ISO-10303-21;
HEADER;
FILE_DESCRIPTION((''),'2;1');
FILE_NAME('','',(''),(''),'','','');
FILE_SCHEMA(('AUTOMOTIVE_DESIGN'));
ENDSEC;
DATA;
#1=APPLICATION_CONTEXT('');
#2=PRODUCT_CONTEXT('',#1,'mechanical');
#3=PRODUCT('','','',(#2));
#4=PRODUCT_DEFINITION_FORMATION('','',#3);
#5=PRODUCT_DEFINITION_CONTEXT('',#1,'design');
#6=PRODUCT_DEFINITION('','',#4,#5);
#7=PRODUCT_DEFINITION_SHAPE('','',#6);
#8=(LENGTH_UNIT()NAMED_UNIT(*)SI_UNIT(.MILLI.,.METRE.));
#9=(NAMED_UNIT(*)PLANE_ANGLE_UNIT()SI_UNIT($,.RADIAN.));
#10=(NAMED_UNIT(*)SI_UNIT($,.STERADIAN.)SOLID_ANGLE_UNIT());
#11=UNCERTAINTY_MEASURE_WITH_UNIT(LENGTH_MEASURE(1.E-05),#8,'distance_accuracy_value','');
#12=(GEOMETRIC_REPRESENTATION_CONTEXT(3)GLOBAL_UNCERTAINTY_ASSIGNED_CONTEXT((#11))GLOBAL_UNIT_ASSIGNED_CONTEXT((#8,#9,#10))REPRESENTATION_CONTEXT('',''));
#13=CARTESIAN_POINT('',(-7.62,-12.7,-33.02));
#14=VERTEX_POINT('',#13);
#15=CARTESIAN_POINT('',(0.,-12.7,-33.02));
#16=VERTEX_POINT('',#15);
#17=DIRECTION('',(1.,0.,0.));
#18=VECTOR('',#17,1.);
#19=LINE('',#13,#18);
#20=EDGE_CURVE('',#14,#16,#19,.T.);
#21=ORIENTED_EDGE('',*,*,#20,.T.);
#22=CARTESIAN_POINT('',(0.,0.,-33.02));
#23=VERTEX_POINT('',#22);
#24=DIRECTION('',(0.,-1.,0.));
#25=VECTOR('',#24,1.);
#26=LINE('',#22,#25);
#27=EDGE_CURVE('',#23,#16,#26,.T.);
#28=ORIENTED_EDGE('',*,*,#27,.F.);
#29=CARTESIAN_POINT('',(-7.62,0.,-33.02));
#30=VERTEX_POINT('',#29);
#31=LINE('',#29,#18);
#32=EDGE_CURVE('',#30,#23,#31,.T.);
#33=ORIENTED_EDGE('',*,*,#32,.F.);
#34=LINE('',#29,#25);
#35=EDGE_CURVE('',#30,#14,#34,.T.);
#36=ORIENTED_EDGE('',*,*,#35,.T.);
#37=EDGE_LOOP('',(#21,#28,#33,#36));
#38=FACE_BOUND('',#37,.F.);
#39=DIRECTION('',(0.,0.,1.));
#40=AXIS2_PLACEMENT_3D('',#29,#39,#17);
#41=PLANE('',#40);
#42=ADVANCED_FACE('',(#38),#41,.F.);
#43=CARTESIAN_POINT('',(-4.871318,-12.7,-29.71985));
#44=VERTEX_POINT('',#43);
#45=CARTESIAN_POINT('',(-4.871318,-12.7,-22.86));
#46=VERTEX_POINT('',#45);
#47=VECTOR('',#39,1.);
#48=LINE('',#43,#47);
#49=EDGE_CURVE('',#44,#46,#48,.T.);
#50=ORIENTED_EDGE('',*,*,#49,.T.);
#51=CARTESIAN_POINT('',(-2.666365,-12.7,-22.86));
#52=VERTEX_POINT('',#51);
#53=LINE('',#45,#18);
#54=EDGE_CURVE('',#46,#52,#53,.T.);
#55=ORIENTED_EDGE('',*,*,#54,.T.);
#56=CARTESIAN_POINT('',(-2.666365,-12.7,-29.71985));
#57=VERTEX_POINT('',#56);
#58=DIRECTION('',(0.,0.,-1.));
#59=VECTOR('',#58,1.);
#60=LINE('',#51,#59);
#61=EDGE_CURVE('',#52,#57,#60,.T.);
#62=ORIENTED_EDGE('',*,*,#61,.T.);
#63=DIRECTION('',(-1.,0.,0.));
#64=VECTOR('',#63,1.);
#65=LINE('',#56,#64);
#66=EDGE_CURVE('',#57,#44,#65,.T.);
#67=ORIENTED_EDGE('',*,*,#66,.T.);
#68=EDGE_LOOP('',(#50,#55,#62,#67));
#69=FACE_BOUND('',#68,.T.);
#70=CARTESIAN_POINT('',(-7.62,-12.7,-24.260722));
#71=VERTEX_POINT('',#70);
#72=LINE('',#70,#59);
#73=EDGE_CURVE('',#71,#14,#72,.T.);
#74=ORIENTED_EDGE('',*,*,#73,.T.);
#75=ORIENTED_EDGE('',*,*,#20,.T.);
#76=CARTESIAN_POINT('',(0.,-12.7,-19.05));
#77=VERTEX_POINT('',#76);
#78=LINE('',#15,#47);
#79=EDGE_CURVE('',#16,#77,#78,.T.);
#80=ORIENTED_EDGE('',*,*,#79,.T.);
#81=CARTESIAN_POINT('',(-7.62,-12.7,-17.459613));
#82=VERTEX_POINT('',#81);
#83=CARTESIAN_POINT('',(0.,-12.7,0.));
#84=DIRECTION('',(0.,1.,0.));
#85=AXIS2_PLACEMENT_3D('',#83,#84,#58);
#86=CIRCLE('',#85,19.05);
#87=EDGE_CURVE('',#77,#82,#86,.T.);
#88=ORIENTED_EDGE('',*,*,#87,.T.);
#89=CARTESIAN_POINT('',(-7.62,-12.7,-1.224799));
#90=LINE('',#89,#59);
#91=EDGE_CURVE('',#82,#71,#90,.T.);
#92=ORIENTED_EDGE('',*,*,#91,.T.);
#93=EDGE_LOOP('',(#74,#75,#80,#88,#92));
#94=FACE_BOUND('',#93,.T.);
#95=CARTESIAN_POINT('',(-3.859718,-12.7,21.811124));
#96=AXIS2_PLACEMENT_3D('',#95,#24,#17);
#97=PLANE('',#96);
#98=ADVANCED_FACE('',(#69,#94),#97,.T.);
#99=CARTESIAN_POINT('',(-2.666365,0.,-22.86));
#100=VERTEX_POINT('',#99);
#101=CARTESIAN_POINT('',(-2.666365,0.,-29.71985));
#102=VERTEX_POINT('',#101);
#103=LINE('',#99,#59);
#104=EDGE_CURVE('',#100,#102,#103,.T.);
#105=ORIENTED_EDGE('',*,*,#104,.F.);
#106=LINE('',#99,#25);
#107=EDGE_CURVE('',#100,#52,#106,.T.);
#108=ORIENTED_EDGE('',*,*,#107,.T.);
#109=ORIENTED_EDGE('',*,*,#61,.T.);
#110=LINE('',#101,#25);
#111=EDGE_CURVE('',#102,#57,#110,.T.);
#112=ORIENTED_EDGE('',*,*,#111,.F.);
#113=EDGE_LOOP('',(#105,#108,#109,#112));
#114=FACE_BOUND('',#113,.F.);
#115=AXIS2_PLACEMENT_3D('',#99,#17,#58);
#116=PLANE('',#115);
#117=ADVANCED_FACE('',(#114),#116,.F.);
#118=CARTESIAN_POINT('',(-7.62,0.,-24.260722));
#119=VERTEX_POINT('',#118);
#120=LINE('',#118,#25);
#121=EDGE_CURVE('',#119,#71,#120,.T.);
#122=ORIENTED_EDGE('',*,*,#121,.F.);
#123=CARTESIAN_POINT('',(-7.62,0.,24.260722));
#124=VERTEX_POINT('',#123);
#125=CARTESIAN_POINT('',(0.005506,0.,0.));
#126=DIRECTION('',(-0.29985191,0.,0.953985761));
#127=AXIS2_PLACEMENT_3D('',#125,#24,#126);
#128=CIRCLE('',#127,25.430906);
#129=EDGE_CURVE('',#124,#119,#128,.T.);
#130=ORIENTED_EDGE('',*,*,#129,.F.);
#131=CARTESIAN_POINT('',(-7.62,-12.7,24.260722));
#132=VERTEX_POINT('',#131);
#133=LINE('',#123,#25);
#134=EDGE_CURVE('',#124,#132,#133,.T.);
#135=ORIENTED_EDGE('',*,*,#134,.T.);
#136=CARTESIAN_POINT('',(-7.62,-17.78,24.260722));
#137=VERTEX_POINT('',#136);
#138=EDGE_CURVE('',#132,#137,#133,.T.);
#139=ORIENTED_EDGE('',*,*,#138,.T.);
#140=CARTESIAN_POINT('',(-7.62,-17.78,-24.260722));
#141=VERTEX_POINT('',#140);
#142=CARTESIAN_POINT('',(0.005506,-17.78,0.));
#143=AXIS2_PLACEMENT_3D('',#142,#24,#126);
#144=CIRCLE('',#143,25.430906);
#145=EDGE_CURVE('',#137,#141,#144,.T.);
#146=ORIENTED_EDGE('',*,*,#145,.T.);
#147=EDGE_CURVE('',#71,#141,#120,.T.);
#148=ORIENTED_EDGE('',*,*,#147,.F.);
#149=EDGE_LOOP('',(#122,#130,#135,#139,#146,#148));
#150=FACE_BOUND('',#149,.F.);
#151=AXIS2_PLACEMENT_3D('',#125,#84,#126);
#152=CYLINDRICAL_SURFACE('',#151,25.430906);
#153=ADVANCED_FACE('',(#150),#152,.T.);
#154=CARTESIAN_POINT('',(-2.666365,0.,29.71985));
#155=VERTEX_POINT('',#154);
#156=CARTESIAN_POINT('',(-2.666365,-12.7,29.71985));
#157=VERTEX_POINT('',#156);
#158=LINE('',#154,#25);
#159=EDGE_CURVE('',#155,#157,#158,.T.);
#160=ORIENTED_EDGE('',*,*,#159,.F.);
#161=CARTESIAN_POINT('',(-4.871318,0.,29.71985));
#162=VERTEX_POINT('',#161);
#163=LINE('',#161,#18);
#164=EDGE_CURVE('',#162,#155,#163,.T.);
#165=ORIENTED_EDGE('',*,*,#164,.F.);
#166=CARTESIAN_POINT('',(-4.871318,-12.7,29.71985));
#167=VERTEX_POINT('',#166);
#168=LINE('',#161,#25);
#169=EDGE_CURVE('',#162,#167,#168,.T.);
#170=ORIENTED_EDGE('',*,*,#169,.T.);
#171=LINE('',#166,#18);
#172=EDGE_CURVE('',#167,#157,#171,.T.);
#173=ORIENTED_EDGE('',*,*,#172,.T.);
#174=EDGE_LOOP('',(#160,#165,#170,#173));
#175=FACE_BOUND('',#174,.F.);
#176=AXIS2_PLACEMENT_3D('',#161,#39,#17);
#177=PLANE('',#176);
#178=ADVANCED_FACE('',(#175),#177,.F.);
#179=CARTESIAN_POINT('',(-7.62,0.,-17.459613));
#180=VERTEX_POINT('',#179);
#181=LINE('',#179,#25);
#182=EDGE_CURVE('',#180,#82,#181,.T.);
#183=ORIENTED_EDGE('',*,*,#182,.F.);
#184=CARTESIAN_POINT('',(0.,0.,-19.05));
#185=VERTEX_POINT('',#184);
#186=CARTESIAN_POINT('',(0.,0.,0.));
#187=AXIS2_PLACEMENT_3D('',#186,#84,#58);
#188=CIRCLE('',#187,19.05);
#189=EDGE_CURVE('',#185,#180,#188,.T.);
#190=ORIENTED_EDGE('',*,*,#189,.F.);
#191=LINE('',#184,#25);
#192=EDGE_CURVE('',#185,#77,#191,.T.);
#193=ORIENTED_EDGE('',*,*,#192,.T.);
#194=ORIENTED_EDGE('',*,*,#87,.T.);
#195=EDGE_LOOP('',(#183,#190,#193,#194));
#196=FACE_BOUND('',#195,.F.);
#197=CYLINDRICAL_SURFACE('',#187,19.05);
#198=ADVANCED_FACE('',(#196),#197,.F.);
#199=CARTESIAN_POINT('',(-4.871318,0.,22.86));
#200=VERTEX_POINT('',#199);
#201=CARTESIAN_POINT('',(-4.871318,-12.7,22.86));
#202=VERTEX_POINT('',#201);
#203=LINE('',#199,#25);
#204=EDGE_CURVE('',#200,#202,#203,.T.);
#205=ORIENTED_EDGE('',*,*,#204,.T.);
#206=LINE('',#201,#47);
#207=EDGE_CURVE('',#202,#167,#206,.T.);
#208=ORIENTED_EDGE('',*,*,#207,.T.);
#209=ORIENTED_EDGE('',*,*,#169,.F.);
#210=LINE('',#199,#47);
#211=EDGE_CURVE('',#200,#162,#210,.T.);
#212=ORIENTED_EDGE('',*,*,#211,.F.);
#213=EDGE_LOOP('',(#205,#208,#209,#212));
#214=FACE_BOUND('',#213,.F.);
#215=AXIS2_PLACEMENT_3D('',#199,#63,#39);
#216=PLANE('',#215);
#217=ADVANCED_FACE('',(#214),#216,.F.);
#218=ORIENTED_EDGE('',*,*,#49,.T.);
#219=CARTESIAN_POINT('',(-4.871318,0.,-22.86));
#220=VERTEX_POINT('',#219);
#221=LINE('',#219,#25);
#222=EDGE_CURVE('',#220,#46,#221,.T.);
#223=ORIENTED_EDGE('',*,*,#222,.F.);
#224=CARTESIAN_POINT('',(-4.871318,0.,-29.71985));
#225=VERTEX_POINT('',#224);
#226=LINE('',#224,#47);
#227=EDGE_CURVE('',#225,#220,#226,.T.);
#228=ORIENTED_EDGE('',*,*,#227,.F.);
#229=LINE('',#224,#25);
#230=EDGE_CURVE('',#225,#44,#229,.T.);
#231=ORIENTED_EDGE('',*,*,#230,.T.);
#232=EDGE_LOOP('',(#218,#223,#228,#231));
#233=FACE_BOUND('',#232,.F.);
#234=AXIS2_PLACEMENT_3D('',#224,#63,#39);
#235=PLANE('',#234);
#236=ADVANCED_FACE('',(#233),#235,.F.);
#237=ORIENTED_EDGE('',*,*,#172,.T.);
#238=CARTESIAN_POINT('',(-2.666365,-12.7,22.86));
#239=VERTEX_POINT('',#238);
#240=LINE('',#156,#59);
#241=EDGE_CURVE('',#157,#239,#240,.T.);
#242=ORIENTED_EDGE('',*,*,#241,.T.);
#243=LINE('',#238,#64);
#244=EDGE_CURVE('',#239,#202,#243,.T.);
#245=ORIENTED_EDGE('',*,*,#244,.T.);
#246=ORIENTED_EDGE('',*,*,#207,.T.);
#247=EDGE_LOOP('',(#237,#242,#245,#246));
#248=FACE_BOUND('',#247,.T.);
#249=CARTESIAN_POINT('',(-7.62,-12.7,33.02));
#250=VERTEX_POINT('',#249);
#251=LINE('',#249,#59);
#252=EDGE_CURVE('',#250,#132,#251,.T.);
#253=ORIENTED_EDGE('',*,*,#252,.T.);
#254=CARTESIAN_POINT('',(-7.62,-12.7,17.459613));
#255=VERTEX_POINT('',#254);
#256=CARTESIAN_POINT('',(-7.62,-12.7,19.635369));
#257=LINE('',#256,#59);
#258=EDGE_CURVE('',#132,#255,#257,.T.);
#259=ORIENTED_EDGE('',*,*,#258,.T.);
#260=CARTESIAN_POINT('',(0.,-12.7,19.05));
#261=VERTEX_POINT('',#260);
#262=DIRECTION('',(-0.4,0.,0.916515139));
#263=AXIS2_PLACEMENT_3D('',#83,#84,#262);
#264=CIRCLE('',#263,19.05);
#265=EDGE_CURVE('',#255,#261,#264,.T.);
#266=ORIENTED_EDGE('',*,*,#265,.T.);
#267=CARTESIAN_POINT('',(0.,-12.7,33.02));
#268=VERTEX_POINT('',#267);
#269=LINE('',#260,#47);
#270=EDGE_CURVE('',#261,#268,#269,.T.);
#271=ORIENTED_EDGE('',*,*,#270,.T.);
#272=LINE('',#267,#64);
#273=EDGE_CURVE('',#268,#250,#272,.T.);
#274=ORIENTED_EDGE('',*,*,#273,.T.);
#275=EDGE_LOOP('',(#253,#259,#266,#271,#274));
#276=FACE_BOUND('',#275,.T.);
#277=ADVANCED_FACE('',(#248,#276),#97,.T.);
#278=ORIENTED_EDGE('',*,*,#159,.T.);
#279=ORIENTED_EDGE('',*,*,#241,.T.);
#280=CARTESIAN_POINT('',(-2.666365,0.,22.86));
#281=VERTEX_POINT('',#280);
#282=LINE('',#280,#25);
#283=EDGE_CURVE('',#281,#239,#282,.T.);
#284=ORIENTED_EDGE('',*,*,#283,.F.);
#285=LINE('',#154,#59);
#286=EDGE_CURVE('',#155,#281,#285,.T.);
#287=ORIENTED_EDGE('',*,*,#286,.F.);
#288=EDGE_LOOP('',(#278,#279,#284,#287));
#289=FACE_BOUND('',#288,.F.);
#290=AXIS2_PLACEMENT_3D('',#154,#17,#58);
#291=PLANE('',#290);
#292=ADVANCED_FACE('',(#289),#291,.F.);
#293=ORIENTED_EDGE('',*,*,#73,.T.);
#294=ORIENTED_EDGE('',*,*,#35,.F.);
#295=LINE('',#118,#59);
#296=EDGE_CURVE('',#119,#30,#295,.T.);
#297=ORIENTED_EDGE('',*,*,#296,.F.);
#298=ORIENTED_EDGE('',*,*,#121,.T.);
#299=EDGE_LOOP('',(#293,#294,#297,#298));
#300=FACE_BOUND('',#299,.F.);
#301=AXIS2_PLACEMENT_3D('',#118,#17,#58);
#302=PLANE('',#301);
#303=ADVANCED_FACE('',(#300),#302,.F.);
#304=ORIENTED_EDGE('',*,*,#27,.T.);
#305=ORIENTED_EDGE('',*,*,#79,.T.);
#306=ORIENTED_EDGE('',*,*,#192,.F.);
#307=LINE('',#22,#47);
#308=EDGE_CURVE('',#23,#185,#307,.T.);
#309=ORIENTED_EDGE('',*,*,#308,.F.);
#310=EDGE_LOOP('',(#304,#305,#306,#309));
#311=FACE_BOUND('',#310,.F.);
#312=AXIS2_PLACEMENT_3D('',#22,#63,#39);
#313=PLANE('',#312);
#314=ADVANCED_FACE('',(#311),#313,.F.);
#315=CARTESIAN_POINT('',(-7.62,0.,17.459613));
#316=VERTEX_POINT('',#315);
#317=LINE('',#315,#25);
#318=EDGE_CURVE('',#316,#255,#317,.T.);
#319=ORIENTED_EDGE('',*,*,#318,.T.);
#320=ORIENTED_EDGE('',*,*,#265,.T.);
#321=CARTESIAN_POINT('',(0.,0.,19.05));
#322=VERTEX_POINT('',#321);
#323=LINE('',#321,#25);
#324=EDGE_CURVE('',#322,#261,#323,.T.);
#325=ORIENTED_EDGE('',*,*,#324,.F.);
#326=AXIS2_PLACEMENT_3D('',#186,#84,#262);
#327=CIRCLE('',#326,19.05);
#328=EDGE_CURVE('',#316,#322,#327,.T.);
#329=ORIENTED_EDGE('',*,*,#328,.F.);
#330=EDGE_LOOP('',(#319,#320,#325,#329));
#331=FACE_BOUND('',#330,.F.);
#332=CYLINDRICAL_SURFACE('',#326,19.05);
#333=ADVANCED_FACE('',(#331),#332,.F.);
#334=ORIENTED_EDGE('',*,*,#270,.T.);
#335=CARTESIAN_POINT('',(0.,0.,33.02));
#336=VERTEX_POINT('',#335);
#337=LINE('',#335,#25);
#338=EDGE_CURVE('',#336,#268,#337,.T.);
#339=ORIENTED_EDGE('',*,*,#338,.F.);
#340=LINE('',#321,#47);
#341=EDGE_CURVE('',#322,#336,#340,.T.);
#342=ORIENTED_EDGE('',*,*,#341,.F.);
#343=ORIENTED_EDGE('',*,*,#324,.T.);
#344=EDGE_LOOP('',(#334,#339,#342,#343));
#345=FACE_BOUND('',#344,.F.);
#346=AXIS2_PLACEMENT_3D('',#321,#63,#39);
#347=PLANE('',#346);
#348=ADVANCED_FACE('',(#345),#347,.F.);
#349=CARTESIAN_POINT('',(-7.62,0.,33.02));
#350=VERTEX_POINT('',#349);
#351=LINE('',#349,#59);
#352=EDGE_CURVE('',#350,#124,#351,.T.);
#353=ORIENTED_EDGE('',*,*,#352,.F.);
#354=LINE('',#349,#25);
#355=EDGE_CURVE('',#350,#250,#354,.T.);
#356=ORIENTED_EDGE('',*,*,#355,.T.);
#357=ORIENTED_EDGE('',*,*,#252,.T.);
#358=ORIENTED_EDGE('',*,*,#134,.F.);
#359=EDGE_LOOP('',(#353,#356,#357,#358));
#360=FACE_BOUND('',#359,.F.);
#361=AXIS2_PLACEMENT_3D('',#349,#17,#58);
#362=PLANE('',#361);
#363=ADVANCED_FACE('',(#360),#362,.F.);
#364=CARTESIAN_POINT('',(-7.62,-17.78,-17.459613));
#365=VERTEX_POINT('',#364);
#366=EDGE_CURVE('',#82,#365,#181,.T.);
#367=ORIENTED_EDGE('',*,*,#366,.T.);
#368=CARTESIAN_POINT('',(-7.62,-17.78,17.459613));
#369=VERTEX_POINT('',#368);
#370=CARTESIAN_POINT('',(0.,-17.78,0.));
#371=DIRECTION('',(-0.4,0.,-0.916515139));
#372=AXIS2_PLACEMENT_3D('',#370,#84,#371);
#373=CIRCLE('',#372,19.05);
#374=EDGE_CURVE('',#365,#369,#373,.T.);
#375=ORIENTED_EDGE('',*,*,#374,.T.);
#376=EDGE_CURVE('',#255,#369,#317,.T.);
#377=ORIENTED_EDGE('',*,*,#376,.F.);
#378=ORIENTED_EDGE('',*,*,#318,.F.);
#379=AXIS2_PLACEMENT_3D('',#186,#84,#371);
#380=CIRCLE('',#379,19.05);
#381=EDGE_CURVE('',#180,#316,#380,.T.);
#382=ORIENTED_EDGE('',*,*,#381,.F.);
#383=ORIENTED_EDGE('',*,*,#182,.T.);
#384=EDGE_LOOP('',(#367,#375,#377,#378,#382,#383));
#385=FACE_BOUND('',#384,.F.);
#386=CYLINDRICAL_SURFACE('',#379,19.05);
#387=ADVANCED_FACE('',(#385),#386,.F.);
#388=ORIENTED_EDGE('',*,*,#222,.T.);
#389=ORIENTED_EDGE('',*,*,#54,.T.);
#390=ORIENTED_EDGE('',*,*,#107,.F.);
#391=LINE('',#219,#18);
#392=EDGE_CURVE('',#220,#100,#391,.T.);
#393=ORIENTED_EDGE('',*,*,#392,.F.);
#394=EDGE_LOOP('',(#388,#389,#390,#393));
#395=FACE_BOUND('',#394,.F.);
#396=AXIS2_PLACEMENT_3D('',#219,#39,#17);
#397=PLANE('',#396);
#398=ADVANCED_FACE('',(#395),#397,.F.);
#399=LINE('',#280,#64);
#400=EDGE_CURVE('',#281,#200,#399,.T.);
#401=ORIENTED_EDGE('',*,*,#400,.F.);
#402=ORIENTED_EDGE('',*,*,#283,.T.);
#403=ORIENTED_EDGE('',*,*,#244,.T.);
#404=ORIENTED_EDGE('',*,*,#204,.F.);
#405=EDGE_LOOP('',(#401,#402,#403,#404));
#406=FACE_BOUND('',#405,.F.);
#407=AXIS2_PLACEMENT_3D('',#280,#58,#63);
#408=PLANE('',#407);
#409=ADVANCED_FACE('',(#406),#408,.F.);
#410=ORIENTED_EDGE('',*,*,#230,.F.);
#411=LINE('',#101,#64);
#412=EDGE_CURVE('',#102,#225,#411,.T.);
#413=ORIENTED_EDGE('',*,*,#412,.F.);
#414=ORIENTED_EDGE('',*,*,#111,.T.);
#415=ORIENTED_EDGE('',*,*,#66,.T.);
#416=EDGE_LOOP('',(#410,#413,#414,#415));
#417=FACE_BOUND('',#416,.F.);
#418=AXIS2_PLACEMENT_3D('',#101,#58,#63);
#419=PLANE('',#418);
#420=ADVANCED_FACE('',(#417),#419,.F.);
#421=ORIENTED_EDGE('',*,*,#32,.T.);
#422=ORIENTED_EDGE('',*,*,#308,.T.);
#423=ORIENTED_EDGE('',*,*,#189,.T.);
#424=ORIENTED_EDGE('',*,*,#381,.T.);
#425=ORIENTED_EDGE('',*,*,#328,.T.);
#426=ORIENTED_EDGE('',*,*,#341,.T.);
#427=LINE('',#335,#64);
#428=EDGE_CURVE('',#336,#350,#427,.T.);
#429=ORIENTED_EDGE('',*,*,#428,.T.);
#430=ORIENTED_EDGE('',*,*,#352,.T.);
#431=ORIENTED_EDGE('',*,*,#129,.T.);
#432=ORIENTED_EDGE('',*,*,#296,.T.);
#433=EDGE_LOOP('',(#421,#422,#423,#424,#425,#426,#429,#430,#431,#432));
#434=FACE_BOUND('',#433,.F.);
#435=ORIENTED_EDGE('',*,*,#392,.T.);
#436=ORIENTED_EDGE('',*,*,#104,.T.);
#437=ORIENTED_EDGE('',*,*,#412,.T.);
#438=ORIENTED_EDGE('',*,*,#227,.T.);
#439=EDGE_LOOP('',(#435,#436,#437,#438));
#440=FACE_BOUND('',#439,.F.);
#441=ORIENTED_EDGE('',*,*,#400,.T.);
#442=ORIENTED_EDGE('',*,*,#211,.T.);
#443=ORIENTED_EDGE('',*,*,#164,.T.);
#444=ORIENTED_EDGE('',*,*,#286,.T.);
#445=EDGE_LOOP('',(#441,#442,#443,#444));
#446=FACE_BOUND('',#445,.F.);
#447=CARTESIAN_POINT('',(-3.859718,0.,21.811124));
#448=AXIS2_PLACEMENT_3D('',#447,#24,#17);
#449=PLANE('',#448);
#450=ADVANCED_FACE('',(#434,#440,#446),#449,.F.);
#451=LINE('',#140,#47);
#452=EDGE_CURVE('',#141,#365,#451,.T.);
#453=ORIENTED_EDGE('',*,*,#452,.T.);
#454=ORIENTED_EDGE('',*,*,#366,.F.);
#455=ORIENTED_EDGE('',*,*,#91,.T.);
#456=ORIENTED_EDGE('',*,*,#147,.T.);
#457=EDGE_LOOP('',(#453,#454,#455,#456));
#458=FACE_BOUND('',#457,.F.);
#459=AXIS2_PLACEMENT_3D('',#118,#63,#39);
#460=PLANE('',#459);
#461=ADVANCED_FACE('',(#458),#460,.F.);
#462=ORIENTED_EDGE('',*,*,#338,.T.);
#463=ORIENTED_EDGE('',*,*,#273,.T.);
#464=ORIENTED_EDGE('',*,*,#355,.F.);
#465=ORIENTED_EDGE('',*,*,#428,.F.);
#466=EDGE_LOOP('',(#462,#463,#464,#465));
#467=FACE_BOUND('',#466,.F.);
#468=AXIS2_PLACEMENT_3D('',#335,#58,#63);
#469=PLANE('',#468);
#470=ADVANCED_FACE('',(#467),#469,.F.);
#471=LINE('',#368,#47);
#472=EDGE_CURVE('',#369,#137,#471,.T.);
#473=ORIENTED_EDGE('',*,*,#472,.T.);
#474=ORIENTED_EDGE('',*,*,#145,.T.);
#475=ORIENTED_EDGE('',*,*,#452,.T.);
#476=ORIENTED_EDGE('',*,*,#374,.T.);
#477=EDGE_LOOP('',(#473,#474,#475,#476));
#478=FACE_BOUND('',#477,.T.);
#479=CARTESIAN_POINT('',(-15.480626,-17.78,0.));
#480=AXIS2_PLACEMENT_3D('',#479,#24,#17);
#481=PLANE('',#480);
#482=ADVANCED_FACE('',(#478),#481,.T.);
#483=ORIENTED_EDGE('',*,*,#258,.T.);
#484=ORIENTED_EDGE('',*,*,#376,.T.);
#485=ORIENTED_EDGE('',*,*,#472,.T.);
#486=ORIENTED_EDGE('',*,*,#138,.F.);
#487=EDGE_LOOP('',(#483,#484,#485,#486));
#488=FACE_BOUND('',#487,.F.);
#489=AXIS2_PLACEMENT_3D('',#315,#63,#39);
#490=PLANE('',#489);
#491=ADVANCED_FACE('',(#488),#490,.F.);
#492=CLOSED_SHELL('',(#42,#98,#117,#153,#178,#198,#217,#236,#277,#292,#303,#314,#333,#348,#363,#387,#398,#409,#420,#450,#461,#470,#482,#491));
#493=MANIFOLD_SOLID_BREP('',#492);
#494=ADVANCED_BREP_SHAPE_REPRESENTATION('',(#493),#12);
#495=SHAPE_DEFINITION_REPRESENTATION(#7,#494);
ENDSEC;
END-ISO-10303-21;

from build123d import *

# Parameters (mm, degrees)
F1_DEPTH = 12.7
F2_DEPTH = 17.78


with BuildPart() as f1:
    # F0 (on Front) → F1 (new body)
    with BuildSketch(Plane.XZ):
        with BuildLine():
            ThreePointArc((-7.62, 17.4596133978), (-3.8920987123, 18.6481652613), (0, 19.05))
            Line((0, 19.05), (0, 25.4309050116))
            ThreePointArc((0, 25.4309050116), (-1.335031029, 25.3955492468), (-2.6663651194, 25.2901575092))
            Line((-2.6663651194, 25.2901575092), (-2.6663651194, 22.86))
            Line((-2.6663651194, 22.86), (-4.8713176481, 22.86))
            Line((-4.8713176481, 22.86), (-4.8713176481, 24.9589173434))
            ThreePointArc((-4.8713176481, 24.9589173434), (-6.2553989589, 24.6481649221), (-7.62, 24.260721841))
            Line((-7.62, 24.260721841), (-7.62, 17.4596133978))
        make_face()
        with BuildLine():
            ThreePointArc((-7.62, -17.4596133978), (-19.05, 0), (-7.62, 17.4596133978))
            Line((-7.62, 17.4596133978), (-7.62, 24.260721841))
            ThreePointArc((-7.62, 24.260721841), (-25.4254, 0), (-7.62, -24.260721841))
            Line((-7.62, -24.260721841), (-7.62, -17.4596133978))
        make_face()
        with BuildLine():
            ThreePointArc((-2.6663651194, 25.2901575092), (-1.335031029, 25.3955492468), (0, 25.4309050116))
            Line((0, 25.4309050116), (0, 33.02))
            Line((0, 33.02), (-7.62, 33.02))
            Line((-7.62, 33.02), (-7.62, 24.260721841))
            ThreePointArc((-7.62, 24.260721841), (-6.2553989589, 24.6481649221), (-4.8713176481, 24.9589173434))
            Line((-4.8713176481, 24.9589173434), (-4.8713176481, 29.7198501384))
            Line((-4.8713176481, 29.7198501384), (-2.6663651194, 29.7198501384))
            Line((-2.6663651194, 29.7198501384), (-2.6663651194, 25.2901575092))
        make_face()
        with BuildLine():
            ThreePointArc((0, -19.05), (-3.8920987123, -18.6481652613), (-7.62, -17.4596133978))
            Line((-7.62, -17.4596133978), (-7.62, -24.260721841))
            ThreePointArc((-7.62, -24.260721841), (-6.2553989589, -24.6481649221), (-4.8713176481, -24.9589173434))
            Line((-4.8713176481, -24.9589173434), (-4.8713176481, -22.86))
            Line((-4.8713176481, -22.86), (-2.6663651194, -22.86))
            Line((-2.6663651194, -22.86), (-2.6663651194, -25.2901575092))
            ThreePointArc((-2.6663651194, -25.2901575092), (-1.335031029, -25.3955492468), (0, -25.4309050116))
            Line((0, -25.4309050116), (0, -19.05))
        make_face()
        with BuildLine():
            ThreePointArc((-4.8713176481, -24.9589173434), (-6.2553989589, -24.6481649221), (-7.62, -24.260721841))
            Line((-7.62, -24.260721841), (-7.62, -33.02))
            Line((-7.62, -33.02), (0, -33.02))
            Line((0, -33.02), (0, -25.4309050116))
            ThreePointArc((0, -25.4309050116), (-1.335031029, -25.3955492468), (-2.6663651194, -25.2901575092))
            Line((-2.6663651194, -25.2901575092), (-2.6663651194, -29.7198501384))
            Line((-2.6663651194, -29.7198501384), (-4.8713176481, -29.7198501384))
            Line((-4.8713176481, -29.7198501384), (-4.8713176481, -24.9589173434))
        make_face()
    extrude(amount=F1_DEPTH)

    # F0 (on Front) → F2 (join)
    with BuildSketch(Plane.XZ):
        with BuildLine():
            ThreePointArc((-7.62, -17.4596133978), (-19.05, 0), (-7.62, 17.4596133978))
            Line((-7.62, 17.4596133978), (-7.62, 24.260721841))
            ThreePointArc((-7.62, 24.260721841), (-25.4254, 0), (-7.62, -24.260721841))
            Line((-7.62, -24.260721841), (-7.62, -17.4596133978))
        make_face()
    extrude(amount=F2_DEPTH)


solid = f1.part
